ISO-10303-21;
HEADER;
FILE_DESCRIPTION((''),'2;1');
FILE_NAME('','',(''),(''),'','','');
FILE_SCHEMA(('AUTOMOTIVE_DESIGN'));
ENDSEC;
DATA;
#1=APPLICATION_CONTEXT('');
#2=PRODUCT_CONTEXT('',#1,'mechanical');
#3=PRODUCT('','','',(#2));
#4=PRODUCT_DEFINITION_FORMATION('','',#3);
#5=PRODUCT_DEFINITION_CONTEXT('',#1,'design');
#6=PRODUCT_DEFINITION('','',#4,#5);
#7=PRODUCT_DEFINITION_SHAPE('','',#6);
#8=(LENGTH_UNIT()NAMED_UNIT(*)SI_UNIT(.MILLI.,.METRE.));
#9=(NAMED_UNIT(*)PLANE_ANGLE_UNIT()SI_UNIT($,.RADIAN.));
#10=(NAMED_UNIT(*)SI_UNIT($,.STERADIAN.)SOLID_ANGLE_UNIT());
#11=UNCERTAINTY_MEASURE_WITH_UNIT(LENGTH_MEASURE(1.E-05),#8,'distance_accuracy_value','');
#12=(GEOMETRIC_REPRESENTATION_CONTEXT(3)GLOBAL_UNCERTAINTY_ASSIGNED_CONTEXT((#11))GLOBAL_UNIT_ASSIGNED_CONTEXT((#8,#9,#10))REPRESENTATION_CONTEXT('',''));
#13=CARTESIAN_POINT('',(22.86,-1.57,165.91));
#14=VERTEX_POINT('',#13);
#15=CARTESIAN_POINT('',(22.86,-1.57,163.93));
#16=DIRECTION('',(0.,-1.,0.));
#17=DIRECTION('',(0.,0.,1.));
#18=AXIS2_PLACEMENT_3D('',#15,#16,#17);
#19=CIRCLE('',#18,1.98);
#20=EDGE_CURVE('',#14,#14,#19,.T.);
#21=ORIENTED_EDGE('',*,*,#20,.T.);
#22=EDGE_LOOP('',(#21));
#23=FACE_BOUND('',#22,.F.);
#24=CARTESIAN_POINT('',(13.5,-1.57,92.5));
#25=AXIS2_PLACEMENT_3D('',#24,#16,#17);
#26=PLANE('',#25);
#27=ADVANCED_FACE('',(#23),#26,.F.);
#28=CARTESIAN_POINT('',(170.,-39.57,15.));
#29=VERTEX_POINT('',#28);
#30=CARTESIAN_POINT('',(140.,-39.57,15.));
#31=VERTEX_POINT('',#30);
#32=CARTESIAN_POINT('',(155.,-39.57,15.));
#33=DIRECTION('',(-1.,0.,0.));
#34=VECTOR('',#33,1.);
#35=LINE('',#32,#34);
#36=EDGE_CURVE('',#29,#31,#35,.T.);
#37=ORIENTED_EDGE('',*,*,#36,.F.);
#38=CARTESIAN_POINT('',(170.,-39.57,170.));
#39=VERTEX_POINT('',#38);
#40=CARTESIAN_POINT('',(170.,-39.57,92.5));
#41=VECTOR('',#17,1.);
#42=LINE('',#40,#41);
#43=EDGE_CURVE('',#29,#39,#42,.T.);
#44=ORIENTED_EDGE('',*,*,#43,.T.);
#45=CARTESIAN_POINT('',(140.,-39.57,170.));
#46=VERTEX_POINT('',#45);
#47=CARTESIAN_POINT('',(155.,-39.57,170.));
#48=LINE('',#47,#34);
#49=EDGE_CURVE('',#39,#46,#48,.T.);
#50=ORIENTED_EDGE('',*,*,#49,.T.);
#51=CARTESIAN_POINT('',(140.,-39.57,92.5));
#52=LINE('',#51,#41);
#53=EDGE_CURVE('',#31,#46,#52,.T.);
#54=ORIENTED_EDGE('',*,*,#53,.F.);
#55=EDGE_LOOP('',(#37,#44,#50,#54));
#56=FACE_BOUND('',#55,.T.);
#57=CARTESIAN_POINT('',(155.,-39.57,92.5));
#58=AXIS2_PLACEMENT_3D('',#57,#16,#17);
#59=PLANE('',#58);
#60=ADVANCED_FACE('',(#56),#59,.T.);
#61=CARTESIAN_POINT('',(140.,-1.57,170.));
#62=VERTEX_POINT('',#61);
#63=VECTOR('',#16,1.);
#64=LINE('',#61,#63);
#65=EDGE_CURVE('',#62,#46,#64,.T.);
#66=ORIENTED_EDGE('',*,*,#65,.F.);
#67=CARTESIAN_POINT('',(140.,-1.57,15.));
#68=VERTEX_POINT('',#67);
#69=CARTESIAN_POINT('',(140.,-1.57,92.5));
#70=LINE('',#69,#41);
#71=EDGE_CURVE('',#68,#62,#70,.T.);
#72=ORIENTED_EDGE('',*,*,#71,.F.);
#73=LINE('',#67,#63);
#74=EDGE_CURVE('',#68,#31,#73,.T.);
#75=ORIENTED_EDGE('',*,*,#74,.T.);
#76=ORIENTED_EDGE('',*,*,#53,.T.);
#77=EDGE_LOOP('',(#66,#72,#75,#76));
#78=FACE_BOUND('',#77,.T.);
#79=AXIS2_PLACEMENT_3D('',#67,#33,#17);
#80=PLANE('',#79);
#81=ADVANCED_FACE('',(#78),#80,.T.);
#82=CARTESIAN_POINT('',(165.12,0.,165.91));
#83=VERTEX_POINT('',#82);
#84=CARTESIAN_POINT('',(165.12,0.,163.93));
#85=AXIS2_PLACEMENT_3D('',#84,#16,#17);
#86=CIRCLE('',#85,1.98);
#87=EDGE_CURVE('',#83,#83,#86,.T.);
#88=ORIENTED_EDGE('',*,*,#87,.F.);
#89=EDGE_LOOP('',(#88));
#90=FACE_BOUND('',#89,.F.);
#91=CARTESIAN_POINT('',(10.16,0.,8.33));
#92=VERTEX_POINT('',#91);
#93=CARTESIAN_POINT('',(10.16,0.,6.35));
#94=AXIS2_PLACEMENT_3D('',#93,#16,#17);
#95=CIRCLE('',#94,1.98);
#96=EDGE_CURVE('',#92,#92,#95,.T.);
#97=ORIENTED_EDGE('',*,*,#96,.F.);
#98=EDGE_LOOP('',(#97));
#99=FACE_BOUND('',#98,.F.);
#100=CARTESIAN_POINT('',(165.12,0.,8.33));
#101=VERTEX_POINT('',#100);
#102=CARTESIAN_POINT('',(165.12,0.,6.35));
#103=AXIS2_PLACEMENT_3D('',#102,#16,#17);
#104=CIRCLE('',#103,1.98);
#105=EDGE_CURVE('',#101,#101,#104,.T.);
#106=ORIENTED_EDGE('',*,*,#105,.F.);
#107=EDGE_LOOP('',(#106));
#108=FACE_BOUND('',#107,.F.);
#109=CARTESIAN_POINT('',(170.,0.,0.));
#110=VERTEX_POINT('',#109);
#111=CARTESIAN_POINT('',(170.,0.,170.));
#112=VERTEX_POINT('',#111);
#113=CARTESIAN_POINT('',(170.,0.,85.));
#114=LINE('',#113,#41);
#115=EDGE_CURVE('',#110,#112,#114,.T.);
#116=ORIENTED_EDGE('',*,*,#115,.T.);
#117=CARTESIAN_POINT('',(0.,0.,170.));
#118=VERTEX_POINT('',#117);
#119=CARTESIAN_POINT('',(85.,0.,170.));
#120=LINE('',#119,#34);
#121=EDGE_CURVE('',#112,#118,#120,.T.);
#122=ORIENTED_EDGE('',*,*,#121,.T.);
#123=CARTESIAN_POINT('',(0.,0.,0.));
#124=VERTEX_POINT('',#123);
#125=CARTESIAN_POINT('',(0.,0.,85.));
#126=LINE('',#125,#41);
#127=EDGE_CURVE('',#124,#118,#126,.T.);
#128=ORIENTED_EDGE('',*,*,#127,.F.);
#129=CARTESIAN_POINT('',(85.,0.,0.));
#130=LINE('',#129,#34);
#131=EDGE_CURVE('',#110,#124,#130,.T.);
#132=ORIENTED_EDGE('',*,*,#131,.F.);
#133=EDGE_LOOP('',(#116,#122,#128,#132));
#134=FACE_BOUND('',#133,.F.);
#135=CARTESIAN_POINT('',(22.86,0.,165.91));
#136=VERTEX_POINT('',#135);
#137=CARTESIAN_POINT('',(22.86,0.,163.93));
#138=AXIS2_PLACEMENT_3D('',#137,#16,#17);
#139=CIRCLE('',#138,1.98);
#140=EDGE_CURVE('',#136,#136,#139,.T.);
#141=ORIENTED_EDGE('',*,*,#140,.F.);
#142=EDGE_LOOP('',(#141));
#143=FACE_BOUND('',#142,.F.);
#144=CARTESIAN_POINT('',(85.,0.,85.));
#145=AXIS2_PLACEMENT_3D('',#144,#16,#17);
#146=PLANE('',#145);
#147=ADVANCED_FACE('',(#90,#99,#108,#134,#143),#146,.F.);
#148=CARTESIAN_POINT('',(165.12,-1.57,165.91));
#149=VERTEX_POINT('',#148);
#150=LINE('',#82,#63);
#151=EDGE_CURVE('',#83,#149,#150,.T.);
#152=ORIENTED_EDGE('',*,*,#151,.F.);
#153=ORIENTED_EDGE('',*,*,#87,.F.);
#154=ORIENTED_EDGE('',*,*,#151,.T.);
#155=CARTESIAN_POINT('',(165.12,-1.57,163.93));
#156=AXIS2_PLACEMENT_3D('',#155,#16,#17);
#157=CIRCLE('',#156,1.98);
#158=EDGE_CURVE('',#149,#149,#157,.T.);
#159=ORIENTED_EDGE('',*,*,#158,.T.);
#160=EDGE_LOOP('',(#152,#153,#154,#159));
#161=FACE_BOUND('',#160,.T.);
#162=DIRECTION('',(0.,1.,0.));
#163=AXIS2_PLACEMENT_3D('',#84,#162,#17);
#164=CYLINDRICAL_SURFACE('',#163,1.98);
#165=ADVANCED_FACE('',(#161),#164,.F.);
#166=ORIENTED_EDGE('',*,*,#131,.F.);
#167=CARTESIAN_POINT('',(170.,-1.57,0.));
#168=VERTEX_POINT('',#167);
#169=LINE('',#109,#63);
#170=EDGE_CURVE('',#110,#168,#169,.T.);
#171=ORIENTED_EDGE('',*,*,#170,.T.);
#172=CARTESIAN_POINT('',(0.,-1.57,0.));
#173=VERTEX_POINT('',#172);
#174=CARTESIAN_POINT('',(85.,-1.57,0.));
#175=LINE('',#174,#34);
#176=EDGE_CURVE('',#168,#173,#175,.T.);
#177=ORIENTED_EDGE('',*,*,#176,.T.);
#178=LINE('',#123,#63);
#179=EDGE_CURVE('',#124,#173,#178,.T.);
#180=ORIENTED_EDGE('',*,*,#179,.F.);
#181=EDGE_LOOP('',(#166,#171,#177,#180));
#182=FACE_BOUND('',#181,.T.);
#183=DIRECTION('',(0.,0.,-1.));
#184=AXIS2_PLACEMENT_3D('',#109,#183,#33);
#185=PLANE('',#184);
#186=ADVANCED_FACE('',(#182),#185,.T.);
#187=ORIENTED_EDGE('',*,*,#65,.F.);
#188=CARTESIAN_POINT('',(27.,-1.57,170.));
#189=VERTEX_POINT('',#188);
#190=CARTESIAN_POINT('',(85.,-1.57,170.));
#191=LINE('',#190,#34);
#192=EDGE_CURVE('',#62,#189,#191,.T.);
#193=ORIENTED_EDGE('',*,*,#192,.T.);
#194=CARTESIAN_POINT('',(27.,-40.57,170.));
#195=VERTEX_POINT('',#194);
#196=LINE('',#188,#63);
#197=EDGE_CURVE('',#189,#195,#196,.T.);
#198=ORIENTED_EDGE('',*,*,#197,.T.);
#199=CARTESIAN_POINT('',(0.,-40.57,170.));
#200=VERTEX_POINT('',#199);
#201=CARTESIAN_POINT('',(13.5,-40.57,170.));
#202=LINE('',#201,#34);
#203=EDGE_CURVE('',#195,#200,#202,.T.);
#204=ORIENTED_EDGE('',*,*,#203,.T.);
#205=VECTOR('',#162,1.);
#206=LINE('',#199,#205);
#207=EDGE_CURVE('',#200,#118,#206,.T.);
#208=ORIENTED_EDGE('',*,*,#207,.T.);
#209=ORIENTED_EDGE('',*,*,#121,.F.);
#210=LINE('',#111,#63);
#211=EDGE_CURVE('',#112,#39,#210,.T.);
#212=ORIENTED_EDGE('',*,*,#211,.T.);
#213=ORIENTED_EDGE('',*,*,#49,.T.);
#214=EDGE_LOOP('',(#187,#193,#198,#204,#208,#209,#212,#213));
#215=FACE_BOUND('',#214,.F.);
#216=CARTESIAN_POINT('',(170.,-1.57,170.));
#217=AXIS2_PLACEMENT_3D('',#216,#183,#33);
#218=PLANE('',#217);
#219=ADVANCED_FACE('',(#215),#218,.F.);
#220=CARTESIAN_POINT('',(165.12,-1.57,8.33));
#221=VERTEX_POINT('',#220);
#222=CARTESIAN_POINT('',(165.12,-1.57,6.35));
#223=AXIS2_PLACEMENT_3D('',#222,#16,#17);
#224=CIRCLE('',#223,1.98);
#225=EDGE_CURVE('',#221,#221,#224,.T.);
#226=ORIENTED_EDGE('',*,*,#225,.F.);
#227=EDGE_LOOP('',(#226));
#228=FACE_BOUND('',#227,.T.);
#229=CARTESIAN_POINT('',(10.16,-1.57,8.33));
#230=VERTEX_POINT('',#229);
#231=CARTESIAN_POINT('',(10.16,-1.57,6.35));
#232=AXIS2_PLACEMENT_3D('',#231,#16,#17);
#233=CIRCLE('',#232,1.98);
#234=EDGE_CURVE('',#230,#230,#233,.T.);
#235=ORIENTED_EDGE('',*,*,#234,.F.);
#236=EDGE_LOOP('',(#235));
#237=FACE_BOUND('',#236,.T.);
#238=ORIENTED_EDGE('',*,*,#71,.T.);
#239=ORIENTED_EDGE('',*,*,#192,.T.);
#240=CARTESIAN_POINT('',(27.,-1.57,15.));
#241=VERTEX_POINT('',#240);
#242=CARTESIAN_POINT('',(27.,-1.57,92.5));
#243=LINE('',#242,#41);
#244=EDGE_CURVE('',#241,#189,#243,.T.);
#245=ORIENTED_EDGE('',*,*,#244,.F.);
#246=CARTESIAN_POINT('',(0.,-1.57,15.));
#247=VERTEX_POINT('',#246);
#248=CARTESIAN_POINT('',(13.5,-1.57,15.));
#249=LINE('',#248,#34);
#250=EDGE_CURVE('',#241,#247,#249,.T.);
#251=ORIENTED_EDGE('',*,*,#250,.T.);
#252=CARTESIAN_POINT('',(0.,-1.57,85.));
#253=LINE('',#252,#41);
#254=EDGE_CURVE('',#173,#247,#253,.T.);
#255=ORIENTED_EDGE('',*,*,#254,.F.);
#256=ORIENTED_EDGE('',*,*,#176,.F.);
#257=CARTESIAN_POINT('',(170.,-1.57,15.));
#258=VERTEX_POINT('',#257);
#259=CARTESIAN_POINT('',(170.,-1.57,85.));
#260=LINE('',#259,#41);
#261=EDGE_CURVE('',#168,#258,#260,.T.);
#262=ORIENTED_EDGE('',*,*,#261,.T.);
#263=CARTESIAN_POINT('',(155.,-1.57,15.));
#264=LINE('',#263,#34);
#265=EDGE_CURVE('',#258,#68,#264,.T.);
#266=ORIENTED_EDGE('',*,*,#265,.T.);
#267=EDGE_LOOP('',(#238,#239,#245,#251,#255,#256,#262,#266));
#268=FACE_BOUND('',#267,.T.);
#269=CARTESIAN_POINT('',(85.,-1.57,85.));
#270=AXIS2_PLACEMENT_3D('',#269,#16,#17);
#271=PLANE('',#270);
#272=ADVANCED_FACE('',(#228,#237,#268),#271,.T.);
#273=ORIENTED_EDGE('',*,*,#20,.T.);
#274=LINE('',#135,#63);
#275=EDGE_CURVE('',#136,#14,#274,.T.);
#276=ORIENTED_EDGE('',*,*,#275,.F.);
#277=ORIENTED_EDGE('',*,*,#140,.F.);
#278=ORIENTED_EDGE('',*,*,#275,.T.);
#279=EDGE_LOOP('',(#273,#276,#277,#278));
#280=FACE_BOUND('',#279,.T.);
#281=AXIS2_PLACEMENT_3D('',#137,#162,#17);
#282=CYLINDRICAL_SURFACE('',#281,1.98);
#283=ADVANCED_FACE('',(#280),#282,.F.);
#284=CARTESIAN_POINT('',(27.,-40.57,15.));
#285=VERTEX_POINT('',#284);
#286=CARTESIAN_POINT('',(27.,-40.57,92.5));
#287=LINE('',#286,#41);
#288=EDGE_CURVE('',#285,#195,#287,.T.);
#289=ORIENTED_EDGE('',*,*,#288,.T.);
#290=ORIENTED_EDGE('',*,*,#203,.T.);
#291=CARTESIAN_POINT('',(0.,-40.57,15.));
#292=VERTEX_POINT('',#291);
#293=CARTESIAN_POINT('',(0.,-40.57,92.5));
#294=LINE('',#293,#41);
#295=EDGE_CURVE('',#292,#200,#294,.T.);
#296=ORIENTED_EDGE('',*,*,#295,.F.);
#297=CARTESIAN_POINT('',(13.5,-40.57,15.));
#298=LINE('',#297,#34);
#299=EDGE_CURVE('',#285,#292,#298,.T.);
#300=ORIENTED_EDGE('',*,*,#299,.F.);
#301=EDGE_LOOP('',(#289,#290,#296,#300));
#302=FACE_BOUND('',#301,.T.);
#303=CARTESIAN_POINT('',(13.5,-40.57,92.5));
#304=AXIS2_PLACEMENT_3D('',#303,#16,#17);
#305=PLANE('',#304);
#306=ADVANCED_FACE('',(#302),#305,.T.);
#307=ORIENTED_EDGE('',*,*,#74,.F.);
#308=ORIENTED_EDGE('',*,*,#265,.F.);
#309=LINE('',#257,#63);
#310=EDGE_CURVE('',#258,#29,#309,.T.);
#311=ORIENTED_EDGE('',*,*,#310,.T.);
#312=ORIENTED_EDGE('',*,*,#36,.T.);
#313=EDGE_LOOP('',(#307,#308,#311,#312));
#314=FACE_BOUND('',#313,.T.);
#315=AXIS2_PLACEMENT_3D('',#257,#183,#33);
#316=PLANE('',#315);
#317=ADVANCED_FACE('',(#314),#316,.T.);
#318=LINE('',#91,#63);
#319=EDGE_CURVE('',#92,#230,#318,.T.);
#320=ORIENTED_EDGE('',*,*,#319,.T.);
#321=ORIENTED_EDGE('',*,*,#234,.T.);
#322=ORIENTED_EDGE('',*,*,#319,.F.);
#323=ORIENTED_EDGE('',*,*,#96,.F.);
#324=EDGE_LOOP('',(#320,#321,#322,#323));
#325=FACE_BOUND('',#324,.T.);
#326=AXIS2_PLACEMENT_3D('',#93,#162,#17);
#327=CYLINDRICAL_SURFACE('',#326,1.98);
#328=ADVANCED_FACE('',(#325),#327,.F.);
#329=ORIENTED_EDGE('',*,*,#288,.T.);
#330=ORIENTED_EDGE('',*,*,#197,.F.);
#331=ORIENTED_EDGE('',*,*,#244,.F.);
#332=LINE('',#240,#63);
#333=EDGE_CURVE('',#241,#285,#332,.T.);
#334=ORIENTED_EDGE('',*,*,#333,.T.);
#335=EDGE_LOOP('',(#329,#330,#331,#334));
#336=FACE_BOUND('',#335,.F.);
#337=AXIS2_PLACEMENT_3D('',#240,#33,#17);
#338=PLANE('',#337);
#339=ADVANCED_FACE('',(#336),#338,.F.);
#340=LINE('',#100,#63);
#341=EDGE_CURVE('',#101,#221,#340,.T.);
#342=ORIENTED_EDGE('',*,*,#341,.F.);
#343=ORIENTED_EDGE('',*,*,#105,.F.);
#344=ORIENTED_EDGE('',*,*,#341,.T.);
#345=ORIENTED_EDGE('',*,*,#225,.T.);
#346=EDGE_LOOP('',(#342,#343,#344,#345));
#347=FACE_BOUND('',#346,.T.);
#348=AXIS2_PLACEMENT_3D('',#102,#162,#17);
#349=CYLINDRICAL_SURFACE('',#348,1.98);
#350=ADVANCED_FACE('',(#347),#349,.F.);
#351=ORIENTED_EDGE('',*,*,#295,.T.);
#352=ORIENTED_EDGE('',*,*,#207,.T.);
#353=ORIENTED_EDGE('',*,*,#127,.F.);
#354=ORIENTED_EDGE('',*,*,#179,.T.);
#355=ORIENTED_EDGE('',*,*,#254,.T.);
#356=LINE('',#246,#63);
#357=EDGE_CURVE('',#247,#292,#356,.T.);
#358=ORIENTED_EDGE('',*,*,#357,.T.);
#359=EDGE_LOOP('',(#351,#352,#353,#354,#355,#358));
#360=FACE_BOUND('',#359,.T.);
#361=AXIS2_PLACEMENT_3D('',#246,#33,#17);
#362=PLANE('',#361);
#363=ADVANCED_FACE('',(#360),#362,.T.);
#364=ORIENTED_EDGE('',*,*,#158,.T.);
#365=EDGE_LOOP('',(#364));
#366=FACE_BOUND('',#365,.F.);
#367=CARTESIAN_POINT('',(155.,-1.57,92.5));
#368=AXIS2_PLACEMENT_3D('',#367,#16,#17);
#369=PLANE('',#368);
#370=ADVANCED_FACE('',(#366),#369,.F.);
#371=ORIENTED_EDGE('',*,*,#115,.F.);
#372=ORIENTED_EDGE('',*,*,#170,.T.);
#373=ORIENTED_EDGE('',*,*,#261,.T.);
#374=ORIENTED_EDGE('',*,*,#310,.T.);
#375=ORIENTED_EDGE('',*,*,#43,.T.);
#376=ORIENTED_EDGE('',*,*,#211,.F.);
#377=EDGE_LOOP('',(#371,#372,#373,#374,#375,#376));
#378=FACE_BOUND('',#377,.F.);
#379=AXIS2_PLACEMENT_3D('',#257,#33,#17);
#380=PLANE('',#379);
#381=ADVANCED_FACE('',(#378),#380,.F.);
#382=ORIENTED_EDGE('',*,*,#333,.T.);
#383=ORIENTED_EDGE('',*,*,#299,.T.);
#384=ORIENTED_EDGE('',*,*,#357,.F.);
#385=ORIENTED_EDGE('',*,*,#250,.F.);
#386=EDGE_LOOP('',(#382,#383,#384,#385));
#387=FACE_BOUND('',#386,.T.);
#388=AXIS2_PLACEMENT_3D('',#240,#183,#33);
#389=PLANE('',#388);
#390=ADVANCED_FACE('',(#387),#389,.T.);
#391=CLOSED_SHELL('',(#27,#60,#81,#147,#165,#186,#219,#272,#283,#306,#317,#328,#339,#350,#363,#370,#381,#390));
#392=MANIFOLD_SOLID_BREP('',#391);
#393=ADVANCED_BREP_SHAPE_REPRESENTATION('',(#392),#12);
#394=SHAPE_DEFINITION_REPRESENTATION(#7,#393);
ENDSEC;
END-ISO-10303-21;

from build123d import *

# Parameters (mm, degrees)
F0_W     = 170
F0_H     = 170
F0_R     = 1.98
F1_DEPTH = 1.57
F2_W     = 155
F2_H     = 27
F3_DEPTH = 39
F4_W     = 155
F4_H     = 30
F5_DEPTH = 38
F6_ANGLE = -90


with BuildPart() as f1:
    # F0 (on Front) → F1 (new body)
    with BuildSketch(Plane.XZ):
        with Locations((85, 85)):
            Rectangle(F0_W, F0_H)
        with Locations((6.35, 4.88)):
            Circle(F0_R, mode=Mode.SUBTRACT)
        with Locations((163.93, 4.88)):
            Circle(F0_R, mode=Mode.SUBTRACT)
        with Locations((6.35, 159.84)):
            Circle(F0_R, mode=Mode.SUBTRACT)
        with Locations((163.93, 147.14)):
            Circle(F0_R, mode=Mode.SUBTRACT)
    extrude(amount=F1_DEPTH)

    # F2 (on face) → F3 (join)
    with BuildSketch(Plane.XZ.offset(1.57)):
        with Locations((92.5, 156.5)):
            Rectangle(F2_W, F2_H)
    extrude(amount=F3_DEPTH)

    # F4 (on face) → F5 (join)
    with BuildSketch(Plane.XZ.offset(1.57)):
        with Locations((92.5, 15)):
            Rectangle(F4_W, F4_H)
    extrude(amount=F5_DEPTH)


with BuildPart() as f1_1:
    # F6: moved
    add(f1.part.rotate(Axis((0, -0.785, 0), (0, 1, 0)), F6_ANGLE))


with BuildPart() as f1_2:
    # F7: moved
    add(f1_1.part.moved(Location((170, 0, 0))))


solid = f1_2.part
